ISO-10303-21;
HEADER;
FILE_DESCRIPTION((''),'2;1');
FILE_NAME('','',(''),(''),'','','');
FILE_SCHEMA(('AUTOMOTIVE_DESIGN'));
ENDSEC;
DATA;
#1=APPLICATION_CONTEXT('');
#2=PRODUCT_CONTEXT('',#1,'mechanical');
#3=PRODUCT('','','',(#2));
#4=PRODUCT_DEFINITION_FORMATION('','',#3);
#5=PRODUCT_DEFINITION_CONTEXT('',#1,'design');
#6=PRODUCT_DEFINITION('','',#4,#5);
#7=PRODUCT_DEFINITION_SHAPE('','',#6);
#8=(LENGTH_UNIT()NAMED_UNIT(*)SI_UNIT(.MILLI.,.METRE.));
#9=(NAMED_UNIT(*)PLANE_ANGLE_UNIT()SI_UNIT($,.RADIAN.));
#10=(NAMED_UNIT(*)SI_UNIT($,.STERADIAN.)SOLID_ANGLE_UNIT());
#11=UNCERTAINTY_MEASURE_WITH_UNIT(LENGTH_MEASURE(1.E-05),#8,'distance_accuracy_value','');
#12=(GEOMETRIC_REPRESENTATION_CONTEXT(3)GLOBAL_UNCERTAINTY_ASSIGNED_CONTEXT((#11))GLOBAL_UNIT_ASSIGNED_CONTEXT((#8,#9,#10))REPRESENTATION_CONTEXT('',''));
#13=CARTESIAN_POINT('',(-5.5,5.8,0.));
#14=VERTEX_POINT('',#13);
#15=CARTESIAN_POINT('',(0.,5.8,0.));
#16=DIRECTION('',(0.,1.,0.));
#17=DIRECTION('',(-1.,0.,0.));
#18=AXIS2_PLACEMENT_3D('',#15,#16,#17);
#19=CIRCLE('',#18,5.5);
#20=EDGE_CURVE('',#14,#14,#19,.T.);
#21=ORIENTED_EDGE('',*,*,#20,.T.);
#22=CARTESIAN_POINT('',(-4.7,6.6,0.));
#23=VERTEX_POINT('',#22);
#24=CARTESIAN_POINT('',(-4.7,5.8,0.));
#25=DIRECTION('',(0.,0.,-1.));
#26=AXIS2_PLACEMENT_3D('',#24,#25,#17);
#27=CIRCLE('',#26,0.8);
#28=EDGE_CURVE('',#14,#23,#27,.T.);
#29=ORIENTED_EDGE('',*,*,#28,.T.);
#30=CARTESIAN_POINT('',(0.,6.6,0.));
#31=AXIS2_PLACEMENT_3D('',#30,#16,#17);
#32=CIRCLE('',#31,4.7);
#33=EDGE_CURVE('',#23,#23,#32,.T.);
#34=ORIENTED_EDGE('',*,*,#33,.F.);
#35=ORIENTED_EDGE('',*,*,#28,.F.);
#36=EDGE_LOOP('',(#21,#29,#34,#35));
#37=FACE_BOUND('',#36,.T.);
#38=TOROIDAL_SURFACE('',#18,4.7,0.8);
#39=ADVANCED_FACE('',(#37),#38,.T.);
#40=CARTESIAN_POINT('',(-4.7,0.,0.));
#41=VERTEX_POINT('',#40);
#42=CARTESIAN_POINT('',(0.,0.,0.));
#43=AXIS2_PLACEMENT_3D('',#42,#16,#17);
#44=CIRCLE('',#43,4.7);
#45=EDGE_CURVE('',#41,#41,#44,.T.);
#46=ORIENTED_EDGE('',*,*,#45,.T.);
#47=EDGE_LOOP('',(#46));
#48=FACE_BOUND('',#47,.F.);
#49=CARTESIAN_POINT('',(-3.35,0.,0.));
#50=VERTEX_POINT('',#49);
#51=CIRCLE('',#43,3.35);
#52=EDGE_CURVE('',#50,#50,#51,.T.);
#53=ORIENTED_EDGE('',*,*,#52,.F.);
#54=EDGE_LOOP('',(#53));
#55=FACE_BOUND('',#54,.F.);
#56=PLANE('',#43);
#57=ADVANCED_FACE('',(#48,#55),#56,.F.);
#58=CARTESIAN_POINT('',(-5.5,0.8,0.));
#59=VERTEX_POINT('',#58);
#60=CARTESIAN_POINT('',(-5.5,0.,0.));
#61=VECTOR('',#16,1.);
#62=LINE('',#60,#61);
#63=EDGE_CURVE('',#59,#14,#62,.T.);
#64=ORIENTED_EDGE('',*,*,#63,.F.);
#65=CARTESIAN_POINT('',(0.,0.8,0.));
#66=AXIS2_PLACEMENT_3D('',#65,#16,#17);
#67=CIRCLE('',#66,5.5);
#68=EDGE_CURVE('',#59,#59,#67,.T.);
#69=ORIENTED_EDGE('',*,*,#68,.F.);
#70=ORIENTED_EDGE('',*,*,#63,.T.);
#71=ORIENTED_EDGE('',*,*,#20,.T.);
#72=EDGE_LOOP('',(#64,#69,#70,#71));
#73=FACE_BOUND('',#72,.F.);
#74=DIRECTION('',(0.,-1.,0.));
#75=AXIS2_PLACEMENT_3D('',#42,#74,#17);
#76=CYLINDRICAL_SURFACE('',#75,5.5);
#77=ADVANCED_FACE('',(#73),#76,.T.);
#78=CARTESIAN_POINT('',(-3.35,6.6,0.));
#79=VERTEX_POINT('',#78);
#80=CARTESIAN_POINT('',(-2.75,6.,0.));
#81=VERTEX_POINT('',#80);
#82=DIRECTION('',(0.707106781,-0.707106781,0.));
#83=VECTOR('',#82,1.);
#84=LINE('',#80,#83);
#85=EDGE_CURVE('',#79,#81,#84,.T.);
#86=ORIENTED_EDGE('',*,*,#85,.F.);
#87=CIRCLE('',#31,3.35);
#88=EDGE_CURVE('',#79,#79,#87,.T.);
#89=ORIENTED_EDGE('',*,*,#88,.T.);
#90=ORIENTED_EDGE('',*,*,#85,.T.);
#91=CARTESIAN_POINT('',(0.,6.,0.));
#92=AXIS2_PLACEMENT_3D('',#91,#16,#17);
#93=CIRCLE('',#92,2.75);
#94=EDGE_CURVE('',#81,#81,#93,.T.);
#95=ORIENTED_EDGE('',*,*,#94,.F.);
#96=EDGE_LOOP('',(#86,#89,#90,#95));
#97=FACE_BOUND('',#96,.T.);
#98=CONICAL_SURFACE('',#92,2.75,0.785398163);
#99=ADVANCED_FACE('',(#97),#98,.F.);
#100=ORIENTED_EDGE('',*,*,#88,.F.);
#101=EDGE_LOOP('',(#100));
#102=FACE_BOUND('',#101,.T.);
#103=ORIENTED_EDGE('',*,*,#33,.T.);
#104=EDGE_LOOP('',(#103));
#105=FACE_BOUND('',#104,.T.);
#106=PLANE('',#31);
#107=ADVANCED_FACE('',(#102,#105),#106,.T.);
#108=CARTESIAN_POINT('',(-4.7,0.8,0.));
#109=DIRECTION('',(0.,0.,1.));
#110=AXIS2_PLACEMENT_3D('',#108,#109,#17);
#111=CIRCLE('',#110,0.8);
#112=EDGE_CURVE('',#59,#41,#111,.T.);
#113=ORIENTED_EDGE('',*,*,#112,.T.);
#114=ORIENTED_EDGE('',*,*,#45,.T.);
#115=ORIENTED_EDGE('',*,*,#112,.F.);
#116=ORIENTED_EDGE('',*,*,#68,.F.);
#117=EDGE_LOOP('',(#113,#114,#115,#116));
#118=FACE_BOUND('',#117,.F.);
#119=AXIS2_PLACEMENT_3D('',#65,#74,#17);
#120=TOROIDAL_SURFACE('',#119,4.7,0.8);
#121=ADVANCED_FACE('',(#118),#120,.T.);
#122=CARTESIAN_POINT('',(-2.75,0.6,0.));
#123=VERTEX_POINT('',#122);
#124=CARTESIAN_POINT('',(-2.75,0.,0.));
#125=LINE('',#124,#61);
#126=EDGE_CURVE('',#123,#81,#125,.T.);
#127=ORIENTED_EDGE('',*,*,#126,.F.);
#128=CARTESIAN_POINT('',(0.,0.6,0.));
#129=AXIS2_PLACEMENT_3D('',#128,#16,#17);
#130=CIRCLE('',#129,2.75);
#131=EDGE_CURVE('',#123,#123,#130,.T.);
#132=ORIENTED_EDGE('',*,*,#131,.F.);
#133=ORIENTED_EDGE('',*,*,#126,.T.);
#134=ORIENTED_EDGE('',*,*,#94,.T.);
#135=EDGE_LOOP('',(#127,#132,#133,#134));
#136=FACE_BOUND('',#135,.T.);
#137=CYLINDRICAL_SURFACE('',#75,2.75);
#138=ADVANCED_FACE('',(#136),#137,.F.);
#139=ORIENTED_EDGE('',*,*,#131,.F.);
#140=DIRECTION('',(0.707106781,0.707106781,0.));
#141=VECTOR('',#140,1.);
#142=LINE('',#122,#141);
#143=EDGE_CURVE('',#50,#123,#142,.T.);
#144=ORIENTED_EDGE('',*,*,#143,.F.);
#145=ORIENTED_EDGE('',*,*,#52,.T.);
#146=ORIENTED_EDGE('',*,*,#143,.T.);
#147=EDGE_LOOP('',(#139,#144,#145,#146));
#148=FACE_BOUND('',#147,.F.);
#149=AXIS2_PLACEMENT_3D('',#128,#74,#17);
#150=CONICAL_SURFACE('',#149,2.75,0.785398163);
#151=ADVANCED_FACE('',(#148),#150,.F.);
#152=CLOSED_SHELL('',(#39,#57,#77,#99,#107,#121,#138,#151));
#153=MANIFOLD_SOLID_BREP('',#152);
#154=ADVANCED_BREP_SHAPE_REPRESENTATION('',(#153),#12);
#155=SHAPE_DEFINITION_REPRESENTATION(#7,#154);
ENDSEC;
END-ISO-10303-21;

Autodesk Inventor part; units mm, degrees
ref_plane "YZ Plane" through (0, 0, 0) normal (1, 0, 0) x (0, 1, 0)
ref_plane "XZ Plane" through (0, 0, 0) normal (0, 1, 0) x (-1, 0, 0)
ref_plane "XY Plane" through (0, 0, 0) normal (0, 0, 1) x (1, 0, 0)
sketch "Эскиз1" plane through (0, 0, 0) normal (0, 1, 0) x (-1, 0, 0)
  circle A0 centre (0, 0) radius 2.75
  circle A1 centre (0, 0) radius 5.5
  dimension "d0" = 5.5
  dimension "d1" = 11
extrude "Выдавливание1" add sketch "Эскиз1" along normal blind 6.6
fillet "Сопряжение1" radius 0.8 2 edges at (5.5, 6.6, 0) (5.5, 0, 0)
chamfer "Фаска1" distance 0.6 angle 45 2 edges at (2.75, 6.6, 0) (2.75, 0, 0)
properties part number "prostavka_6,6"
